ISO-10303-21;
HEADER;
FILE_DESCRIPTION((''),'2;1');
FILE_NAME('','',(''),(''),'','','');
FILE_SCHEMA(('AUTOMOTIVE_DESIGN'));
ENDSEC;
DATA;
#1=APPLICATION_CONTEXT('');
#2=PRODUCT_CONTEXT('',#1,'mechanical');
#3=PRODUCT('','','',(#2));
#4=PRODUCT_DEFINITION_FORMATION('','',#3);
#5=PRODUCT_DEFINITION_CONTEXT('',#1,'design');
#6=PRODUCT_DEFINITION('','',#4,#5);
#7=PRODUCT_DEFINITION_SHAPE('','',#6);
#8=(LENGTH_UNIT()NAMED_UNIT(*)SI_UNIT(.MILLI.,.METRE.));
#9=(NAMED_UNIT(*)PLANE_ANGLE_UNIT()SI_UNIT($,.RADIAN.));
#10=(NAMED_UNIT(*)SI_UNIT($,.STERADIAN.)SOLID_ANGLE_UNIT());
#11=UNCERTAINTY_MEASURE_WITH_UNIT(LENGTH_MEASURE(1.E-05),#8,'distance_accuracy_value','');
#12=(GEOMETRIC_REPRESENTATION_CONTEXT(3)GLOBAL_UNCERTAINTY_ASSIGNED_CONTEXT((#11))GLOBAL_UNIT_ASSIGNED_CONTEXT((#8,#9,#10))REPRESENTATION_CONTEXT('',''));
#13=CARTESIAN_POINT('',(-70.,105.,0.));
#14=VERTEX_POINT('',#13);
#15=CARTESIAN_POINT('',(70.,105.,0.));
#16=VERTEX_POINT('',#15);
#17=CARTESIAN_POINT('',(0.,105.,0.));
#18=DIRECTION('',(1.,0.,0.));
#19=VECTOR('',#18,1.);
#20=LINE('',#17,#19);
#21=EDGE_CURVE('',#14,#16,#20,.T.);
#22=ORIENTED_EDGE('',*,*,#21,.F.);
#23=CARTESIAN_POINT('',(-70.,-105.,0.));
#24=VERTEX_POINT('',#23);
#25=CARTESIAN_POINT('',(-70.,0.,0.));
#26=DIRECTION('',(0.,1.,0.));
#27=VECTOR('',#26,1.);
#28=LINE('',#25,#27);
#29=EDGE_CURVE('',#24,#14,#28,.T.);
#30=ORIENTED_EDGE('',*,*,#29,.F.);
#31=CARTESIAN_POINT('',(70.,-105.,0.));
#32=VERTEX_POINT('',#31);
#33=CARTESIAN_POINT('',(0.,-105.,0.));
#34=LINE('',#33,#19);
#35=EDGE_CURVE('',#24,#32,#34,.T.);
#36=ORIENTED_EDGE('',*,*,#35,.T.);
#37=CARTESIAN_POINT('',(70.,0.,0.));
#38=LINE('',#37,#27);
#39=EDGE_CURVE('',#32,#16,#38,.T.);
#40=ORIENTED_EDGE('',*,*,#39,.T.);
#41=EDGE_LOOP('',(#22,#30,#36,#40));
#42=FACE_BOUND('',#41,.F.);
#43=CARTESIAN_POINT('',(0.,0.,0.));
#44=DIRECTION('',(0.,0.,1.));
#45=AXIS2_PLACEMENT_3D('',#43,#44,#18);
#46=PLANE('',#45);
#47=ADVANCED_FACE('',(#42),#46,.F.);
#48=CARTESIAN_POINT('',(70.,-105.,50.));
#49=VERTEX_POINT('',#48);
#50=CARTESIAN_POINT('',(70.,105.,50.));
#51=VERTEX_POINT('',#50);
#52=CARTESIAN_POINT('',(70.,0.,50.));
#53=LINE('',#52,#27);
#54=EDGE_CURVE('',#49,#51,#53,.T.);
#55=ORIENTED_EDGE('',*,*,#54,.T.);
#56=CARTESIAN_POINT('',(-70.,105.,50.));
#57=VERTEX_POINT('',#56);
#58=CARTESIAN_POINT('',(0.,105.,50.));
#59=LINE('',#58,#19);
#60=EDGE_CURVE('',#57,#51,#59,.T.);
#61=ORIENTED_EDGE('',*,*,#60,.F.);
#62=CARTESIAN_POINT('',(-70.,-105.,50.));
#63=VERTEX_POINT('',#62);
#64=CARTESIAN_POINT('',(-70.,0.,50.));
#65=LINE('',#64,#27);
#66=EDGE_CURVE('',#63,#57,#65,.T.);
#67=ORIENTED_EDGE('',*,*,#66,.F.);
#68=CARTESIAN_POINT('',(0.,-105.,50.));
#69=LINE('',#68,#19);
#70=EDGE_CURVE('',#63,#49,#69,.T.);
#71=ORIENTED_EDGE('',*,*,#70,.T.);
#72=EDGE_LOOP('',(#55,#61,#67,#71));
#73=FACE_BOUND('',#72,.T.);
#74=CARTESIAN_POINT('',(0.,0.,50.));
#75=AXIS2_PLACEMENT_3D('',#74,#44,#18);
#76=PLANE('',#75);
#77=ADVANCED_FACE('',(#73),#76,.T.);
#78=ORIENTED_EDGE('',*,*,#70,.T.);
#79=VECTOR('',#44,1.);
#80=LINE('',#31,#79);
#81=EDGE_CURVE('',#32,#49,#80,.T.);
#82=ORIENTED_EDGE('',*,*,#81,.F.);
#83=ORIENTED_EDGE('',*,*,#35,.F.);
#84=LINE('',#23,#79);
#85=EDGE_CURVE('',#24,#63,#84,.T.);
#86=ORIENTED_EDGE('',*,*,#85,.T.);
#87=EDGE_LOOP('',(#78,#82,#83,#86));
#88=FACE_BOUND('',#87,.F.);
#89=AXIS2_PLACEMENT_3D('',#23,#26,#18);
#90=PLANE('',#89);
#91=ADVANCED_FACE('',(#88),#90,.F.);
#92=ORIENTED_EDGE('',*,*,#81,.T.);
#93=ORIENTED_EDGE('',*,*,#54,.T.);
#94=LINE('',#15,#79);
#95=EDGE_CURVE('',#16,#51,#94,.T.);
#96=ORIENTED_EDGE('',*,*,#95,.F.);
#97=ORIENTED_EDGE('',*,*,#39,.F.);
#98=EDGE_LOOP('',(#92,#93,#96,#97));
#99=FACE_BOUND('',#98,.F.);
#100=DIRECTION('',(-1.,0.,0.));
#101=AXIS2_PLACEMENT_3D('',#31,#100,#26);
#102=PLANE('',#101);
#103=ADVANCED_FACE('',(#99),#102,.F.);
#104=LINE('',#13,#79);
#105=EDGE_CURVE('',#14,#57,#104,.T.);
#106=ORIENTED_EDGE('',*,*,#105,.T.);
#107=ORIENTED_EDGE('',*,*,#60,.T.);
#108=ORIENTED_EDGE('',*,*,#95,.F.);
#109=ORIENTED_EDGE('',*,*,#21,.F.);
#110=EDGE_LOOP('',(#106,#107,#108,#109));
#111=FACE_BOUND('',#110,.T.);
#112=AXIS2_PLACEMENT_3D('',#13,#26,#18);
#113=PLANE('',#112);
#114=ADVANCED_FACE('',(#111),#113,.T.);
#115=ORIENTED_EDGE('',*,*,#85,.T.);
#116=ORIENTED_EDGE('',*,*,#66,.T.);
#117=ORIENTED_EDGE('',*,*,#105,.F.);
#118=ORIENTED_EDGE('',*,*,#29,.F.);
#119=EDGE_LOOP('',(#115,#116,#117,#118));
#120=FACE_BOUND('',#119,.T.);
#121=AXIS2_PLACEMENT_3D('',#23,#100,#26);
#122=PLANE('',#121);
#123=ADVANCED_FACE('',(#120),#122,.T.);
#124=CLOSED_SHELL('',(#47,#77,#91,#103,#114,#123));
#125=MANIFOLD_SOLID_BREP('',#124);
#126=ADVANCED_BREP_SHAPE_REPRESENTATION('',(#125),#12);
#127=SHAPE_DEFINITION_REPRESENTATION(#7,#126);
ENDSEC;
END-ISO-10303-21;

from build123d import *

# Parameters (mm, degrees)
F0_W     = 140
F0_H     = 210
F0_R     = 9.5
F1_DEPTH = 50


with BuildPart() as f1:
    # F0 (on Top) → F1 (new body)
    with BuildSketch(Plane.XY):
        Rectangle(F0_W, F0_H)
        with Locations((-53, 3)):
            Circle(F0_R, mode=Mode.SUBTRACT)
        with Locations((-53, 32)):
            Circle(F0_R, mode=Mode.SUBTRACT)
        with Locations((-28, 3)):
            Circle(F0_R, mode=Mode.SUBTRACT)
        with Locations((-28, 32)):
            Circle(F0_R, mode=Mode.SUBTRACT)
        with Locations((-53, 61)):
            Circle(F0_R, mode=Mode.SUBTRACT)
        with Locations((-53, 90)):
            Circle(F0_R, mode=Mode.SUBTRACT)
        with Locations((-28, 61)):
            Circle(F0_R, mode=Mode.SUBTRACT)
        with Locations((-28, 90)):
            Circle(F0_R, mode=Mode.SUBTRACT)
        with Locations((-53, 90)):
            Circle(F0_R)
        with Locations((-28, 90)):
            Circle(F0_R)
        with Locations((-28, 61)):
            Circle(F0_R)
        with Locations((-53, 61)):
            Circle(F0_R)
        with Locations((-53, 32)):
            Circle(F0_R)
        with Locations((-28, 32)):
            Circle(F0_R)
        with Locations((-53, 3)):
            Circle(F0_R)
        with Locations((-28, 3)):
            Circle(F0_R)
    extrude(amount=F1_DEPTH)


solid = f1.part
